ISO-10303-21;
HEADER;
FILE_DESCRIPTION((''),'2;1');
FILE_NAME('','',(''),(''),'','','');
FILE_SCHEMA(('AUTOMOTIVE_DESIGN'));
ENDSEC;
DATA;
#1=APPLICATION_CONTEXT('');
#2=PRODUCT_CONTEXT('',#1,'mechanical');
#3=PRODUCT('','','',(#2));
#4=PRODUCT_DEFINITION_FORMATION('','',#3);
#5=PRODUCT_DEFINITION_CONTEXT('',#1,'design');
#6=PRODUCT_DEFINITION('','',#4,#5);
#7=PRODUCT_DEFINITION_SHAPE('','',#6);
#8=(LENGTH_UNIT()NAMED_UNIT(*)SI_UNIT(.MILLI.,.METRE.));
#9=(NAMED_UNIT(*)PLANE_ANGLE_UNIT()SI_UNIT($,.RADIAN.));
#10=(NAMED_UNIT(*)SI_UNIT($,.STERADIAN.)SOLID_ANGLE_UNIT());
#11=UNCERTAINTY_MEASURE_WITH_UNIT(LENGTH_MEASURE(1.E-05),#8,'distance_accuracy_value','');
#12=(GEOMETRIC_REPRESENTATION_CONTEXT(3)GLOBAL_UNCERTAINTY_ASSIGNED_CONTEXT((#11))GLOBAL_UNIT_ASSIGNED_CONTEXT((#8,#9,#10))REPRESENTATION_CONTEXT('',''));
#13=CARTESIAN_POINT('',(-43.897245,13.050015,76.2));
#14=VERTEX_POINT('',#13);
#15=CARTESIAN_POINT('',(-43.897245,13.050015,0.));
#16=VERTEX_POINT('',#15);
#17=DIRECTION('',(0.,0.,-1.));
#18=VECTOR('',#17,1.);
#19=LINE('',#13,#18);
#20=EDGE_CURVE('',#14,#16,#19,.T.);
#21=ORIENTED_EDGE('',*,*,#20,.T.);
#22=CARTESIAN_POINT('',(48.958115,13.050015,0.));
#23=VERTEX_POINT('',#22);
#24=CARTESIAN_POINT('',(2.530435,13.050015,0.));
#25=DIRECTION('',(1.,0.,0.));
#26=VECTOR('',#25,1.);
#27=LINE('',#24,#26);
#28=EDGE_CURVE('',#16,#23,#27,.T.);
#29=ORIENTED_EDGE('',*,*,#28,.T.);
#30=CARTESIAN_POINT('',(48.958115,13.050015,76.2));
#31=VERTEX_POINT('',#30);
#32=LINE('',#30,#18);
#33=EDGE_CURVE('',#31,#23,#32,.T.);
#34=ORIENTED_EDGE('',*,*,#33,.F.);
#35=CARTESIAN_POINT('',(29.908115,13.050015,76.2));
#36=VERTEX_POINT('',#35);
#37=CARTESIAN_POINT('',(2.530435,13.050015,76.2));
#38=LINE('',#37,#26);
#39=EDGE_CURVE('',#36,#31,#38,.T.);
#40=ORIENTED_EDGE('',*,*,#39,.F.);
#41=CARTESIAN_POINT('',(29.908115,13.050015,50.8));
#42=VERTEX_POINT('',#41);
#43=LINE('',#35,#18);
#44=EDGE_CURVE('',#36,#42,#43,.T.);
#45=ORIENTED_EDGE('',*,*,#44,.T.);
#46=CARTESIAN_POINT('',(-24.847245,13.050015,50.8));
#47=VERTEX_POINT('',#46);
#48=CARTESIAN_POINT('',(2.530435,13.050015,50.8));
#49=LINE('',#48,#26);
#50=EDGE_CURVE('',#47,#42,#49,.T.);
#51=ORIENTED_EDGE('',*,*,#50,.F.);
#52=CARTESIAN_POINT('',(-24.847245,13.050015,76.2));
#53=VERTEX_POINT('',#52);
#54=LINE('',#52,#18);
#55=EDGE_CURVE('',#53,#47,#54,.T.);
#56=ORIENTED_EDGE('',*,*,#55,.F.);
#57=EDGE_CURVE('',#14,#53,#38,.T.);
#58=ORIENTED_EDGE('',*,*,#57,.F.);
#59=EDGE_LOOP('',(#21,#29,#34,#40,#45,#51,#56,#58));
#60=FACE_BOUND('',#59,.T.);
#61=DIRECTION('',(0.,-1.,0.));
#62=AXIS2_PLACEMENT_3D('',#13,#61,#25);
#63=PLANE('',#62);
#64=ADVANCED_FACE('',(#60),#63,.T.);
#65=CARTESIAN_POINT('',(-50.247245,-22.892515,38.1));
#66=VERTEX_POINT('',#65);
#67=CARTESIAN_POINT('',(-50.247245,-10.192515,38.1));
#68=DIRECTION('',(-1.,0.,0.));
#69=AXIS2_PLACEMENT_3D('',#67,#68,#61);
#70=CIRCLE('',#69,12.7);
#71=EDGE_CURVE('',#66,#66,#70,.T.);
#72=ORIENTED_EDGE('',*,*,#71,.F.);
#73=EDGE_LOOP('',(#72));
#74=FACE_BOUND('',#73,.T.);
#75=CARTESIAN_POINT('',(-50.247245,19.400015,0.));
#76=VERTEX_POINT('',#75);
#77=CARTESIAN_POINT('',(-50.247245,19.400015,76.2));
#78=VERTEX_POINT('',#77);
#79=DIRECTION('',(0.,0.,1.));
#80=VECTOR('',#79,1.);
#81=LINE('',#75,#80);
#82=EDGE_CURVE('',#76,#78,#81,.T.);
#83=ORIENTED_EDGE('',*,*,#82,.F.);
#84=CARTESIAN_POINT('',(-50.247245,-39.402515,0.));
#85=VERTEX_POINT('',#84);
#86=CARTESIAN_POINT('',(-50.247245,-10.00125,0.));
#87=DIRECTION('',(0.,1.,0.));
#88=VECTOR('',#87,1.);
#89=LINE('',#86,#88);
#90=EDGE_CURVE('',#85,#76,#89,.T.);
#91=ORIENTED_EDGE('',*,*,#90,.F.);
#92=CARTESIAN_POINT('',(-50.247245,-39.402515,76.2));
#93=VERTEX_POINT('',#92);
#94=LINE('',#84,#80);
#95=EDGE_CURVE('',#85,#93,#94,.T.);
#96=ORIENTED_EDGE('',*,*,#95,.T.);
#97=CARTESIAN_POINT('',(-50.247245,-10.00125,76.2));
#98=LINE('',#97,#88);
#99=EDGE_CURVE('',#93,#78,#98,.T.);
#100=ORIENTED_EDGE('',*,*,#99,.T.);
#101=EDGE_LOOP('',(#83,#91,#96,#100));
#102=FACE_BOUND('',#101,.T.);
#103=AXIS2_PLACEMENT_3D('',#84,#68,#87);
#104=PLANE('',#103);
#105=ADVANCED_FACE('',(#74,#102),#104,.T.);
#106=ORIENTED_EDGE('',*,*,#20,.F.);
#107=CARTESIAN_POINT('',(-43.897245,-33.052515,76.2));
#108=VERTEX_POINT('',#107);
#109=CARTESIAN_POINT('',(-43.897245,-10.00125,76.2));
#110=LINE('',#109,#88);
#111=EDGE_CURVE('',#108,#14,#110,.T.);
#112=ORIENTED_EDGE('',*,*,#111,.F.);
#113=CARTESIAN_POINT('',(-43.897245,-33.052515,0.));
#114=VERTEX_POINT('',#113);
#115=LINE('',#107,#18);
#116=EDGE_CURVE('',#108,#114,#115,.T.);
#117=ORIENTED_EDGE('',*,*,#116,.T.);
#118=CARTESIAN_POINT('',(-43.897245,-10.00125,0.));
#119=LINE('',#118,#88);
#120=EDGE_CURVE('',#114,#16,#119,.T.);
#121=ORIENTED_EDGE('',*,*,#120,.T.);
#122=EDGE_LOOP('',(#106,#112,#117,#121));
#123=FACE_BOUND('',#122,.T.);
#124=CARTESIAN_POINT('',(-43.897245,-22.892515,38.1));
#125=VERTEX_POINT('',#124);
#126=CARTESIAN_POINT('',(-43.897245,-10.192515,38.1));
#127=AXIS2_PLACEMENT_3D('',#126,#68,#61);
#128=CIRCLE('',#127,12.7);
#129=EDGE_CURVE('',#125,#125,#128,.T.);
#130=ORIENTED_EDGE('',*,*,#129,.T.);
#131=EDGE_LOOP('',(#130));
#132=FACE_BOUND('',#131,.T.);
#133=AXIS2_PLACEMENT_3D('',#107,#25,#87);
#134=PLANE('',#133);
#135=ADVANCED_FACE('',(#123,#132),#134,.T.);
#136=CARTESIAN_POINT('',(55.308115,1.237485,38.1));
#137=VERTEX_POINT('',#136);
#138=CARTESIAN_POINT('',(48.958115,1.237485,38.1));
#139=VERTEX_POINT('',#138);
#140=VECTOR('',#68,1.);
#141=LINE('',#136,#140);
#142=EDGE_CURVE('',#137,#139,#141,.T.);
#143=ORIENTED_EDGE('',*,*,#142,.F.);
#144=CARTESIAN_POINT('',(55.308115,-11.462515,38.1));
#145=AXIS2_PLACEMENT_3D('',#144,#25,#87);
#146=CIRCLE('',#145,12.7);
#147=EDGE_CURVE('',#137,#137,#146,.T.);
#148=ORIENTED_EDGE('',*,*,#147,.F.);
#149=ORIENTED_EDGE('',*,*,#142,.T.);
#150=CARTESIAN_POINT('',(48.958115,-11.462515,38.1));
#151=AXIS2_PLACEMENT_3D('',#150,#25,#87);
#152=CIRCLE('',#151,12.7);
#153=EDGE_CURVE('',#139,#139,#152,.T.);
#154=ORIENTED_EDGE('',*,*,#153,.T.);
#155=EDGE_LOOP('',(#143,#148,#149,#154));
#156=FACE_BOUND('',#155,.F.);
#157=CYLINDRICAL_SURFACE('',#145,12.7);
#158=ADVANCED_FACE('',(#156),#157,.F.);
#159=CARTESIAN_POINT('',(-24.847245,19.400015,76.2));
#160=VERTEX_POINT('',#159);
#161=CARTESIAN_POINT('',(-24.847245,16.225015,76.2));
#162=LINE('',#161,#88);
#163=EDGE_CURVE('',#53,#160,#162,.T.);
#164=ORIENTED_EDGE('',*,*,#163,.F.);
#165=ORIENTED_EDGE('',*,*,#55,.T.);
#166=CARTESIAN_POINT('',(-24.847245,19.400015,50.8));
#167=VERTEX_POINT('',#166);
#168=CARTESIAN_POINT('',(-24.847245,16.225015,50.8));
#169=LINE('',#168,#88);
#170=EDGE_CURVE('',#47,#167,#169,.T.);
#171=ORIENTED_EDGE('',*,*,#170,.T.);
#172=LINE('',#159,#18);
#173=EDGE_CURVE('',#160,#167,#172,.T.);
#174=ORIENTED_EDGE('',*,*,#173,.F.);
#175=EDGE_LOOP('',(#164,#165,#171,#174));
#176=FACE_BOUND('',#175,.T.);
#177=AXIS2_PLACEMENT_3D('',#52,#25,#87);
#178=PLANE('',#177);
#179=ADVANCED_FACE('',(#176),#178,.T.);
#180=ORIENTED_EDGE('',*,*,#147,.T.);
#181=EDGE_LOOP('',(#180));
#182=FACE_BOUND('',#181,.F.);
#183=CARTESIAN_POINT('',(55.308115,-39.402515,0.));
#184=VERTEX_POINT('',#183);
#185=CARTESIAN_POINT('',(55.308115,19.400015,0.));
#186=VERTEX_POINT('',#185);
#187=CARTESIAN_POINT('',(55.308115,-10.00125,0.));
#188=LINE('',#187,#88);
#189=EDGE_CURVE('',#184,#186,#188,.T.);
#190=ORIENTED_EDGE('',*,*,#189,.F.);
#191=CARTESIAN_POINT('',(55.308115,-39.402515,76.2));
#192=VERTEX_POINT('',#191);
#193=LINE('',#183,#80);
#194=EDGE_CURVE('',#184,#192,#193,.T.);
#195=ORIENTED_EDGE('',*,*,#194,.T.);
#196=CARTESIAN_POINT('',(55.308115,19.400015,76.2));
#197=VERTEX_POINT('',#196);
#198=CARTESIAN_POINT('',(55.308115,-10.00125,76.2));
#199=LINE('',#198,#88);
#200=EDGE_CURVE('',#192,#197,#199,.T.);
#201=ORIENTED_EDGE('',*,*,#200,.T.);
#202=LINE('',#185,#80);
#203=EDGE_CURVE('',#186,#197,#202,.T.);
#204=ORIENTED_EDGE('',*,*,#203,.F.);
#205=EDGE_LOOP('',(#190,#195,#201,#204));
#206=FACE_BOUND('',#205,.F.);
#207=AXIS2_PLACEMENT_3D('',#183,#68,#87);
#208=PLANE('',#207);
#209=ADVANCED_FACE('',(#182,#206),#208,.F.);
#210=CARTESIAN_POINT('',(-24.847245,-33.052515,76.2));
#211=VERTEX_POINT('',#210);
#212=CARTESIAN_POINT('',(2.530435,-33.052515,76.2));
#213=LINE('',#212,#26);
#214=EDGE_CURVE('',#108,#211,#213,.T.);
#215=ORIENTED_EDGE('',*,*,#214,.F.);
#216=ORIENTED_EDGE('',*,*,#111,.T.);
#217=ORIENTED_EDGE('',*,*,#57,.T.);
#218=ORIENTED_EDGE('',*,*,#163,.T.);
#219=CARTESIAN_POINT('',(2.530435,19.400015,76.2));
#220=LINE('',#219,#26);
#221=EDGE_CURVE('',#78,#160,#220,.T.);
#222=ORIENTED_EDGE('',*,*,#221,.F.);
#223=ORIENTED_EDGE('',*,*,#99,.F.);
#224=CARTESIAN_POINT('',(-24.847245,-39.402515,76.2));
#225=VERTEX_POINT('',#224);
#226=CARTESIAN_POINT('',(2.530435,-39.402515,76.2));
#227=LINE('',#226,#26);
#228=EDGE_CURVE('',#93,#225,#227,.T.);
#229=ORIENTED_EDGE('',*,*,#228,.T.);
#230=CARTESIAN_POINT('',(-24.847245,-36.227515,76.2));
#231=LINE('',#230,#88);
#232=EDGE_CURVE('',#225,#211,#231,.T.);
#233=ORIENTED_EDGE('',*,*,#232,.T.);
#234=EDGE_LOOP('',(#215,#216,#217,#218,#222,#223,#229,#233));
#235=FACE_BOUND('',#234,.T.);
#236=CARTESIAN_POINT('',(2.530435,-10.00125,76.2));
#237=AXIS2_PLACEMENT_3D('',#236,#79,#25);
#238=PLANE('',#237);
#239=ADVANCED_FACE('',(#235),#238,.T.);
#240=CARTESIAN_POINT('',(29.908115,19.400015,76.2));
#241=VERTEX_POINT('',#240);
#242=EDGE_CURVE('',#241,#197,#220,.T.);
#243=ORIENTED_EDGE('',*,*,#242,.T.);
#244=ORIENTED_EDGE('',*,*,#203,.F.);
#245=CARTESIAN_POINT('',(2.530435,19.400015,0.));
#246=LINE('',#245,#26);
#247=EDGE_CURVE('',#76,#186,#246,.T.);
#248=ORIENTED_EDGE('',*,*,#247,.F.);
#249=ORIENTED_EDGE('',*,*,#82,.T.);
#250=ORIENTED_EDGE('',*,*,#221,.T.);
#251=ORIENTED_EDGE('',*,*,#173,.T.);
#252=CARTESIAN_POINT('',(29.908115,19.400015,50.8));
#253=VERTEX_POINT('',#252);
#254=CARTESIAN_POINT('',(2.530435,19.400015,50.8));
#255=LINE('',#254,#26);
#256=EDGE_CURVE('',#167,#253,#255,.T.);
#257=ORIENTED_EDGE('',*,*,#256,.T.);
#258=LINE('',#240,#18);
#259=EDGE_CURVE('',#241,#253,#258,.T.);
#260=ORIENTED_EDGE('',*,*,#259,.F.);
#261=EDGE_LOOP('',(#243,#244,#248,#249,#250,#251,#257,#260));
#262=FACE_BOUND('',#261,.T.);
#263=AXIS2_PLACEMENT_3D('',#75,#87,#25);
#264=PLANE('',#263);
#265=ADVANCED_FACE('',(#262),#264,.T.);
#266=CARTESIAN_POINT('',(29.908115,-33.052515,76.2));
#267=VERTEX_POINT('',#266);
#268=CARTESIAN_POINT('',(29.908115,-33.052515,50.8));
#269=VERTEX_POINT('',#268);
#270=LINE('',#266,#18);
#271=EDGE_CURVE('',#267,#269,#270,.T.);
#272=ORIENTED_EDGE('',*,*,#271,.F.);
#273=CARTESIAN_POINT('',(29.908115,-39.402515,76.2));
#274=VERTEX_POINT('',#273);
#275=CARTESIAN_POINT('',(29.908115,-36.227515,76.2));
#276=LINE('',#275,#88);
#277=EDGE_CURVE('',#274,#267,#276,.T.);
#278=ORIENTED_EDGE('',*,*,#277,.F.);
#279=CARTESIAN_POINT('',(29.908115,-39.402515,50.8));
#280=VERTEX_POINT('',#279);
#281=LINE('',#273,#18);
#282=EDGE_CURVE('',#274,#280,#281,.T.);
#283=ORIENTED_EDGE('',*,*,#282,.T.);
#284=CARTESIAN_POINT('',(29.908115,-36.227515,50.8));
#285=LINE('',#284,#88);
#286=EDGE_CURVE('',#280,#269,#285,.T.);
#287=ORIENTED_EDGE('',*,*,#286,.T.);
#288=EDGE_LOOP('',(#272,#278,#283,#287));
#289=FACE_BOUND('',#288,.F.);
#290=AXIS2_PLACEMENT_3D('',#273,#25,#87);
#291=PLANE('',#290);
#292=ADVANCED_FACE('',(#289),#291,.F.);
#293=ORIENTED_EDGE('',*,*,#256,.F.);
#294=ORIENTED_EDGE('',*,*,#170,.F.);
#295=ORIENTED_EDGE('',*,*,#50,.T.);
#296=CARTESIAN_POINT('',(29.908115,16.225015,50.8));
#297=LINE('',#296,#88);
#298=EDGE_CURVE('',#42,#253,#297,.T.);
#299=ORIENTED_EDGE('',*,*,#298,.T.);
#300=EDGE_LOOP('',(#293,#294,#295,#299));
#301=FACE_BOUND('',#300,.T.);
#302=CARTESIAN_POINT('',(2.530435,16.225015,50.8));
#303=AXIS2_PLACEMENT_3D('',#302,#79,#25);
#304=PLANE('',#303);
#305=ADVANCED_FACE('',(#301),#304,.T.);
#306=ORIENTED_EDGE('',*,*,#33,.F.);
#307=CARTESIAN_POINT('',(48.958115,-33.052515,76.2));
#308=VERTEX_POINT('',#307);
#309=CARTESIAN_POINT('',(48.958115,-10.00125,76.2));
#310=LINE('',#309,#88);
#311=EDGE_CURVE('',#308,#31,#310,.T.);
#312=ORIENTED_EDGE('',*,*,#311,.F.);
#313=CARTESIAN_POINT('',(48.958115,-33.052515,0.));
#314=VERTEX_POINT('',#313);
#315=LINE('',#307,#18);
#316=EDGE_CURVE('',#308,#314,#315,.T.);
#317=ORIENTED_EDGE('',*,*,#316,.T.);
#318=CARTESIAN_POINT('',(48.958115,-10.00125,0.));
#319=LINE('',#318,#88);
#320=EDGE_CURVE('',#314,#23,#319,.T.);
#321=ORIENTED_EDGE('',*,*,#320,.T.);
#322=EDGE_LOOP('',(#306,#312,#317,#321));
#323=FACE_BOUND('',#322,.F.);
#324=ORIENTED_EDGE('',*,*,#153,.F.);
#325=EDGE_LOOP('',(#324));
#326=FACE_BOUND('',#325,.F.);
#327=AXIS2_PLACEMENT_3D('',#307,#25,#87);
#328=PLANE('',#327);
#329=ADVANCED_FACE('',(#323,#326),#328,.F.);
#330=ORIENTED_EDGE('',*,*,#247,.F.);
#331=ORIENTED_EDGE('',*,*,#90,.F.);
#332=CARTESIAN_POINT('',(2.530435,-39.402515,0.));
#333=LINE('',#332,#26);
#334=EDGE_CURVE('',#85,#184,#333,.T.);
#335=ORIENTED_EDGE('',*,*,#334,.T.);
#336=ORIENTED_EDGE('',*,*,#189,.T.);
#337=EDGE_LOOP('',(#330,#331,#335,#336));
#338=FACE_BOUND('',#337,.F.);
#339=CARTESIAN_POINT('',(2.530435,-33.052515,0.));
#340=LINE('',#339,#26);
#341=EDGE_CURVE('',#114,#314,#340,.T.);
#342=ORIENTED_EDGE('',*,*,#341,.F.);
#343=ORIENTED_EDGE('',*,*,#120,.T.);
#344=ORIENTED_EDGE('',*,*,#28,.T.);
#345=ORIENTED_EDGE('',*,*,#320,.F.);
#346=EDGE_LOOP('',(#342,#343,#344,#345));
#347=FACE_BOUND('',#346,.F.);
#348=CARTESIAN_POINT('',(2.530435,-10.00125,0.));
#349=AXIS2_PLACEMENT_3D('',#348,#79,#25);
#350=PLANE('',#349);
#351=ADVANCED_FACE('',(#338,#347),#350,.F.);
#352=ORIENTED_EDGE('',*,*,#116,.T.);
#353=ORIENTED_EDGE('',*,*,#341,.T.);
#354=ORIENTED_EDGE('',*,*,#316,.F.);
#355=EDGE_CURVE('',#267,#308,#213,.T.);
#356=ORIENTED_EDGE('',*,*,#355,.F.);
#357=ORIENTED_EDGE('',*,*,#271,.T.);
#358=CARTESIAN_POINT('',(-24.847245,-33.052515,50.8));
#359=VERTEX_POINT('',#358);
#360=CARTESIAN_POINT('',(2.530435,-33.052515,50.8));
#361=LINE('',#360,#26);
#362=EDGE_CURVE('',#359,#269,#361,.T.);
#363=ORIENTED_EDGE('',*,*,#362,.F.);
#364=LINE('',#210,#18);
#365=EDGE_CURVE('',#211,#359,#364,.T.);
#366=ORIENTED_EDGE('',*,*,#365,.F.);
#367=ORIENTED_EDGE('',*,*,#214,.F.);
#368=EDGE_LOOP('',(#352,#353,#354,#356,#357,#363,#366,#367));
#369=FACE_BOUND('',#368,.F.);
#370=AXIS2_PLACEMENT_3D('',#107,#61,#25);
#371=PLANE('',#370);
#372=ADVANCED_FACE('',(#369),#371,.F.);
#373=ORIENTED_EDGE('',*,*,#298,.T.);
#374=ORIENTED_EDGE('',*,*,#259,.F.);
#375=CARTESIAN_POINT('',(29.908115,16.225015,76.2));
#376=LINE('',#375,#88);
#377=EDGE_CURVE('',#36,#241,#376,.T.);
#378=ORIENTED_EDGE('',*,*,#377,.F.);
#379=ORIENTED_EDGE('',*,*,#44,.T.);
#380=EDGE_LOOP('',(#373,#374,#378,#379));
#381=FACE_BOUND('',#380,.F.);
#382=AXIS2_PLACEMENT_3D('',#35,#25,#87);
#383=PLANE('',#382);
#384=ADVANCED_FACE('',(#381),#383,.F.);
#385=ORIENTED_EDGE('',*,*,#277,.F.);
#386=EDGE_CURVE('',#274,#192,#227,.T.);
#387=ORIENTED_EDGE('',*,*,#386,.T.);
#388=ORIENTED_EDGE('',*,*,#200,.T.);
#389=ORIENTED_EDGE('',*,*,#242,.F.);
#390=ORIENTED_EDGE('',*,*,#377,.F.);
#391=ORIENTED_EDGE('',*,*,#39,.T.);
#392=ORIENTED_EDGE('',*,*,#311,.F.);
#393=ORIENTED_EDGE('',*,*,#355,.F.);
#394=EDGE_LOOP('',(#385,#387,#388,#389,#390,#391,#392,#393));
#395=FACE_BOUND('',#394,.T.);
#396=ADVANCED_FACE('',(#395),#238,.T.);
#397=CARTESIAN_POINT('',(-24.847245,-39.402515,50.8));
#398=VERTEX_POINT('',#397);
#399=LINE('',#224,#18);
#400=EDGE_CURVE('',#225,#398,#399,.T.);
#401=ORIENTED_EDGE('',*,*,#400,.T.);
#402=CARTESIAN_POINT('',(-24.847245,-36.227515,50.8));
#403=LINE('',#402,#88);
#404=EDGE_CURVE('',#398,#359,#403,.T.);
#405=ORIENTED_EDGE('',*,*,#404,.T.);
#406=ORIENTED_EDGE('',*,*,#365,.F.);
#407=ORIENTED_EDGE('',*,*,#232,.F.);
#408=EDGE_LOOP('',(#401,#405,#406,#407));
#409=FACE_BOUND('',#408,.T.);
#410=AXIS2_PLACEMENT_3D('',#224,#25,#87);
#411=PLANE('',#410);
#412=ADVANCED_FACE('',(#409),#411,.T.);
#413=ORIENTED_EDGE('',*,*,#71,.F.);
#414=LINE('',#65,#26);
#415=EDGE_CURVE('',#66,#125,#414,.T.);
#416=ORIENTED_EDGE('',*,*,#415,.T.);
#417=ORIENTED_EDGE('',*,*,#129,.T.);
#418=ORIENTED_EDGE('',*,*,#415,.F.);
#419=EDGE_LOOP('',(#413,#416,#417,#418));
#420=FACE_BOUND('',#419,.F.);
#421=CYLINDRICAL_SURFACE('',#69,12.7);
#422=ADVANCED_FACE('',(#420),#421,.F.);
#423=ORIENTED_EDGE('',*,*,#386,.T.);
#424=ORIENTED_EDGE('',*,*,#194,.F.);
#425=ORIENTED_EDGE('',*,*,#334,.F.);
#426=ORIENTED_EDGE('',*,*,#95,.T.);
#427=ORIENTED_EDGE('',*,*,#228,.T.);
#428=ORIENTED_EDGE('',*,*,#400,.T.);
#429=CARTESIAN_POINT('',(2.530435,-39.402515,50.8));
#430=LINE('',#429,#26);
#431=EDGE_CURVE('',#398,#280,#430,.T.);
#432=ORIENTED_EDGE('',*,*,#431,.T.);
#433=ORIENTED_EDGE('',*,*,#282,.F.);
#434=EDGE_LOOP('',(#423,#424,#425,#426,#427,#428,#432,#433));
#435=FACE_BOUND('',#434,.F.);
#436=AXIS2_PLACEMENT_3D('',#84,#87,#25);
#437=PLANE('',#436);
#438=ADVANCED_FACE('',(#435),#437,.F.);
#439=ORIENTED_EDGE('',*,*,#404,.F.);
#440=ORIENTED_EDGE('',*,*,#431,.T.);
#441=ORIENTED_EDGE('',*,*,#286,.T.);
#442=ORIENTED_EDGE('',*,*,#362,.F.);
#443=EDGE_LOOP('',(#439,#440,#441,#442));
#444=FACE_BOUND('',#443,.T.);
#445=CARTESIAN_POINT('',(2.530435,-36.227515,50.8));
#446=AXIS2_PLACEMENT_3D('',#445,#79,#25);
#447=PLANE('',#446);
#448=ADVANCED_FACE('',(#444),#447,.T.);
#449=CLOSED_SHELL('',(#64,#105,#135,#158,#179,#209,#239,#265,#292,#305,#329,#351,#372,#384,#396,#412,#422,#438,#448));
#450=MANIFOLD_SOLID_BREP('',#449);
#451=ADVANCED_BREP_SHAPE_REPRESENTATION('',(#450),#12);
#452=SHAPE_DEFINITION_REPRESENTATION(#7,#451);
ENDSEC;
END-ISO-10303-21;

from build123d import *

# Parameters (mm, degrees)
F0_W     = 105.55536
F0_H     = 58.80253
F1_DEPTH = 76.2
F2_W     = 92.85536
F2_H     = 46.10253
F3_DEPTH = 76.2
F4_W     = 54.75536
F4_H     = 6.35
F5_DEPTH = 25.4
F6_R     = 12.7
F7_DEPTH = 25.4
F8_R     = 12.7
F9_DEPTH = 25.4


with BuildPart() as f1:
    # F0 (on Top) → F1 (new body)
    with BuildSketch(Plane.XY):
        with Locations((2.530435, -10.00125)):
            Rectangle(F0_W, F0_H)
    extrude(amount=F1_DEPTH)

    # F2 (on face) → F3 (cut, through all)
    with BuildSketch(Plane.XY.offset(76.2)):
        with Locations((2.530435, -10.00125)):
            Rectangle(F2_W, F2_H)
    extrude(amount=-F3_DEPTH, mode=Mode.SUBTRACT)

    # F4 (on face) → F5 (cut)
    with BuildSketch(Plane.XY.offset(76.2)):
        with Locations((2.530435, -36.227515)):
            Rectangle(F4_W, F4_H)
        with Locations((2.530435, 16.225015)):
            Rectangle(F4_W, F4_H)
    extrude(amount=-F5_DEPTH, mode=Mode.SUBTRACT)

    # F6 (on face) → F7 (cut)
    with BuildSketch(Plane.YZ.offset(55.308115)):
        with Locations((-11.462515, 38.1)):
            Circle(F6_R)
    extrude(amount=-F7_DEPTH, mode=Mode.SUBTRACT)

    # F8 (on face) → F9 (cut)
    with BuildSketch(Plane(origin=(-50.247245, 0, 0), x_dir=(0, -1, 0), z_dir=(-1, 0, 0))):
        with Locations((10.192515, 38.1)):
            Circle(F8_R)
    extrude(amount=-F9_DEPTH, mode=Mode.SUBTRACT)


solid = f1.part
